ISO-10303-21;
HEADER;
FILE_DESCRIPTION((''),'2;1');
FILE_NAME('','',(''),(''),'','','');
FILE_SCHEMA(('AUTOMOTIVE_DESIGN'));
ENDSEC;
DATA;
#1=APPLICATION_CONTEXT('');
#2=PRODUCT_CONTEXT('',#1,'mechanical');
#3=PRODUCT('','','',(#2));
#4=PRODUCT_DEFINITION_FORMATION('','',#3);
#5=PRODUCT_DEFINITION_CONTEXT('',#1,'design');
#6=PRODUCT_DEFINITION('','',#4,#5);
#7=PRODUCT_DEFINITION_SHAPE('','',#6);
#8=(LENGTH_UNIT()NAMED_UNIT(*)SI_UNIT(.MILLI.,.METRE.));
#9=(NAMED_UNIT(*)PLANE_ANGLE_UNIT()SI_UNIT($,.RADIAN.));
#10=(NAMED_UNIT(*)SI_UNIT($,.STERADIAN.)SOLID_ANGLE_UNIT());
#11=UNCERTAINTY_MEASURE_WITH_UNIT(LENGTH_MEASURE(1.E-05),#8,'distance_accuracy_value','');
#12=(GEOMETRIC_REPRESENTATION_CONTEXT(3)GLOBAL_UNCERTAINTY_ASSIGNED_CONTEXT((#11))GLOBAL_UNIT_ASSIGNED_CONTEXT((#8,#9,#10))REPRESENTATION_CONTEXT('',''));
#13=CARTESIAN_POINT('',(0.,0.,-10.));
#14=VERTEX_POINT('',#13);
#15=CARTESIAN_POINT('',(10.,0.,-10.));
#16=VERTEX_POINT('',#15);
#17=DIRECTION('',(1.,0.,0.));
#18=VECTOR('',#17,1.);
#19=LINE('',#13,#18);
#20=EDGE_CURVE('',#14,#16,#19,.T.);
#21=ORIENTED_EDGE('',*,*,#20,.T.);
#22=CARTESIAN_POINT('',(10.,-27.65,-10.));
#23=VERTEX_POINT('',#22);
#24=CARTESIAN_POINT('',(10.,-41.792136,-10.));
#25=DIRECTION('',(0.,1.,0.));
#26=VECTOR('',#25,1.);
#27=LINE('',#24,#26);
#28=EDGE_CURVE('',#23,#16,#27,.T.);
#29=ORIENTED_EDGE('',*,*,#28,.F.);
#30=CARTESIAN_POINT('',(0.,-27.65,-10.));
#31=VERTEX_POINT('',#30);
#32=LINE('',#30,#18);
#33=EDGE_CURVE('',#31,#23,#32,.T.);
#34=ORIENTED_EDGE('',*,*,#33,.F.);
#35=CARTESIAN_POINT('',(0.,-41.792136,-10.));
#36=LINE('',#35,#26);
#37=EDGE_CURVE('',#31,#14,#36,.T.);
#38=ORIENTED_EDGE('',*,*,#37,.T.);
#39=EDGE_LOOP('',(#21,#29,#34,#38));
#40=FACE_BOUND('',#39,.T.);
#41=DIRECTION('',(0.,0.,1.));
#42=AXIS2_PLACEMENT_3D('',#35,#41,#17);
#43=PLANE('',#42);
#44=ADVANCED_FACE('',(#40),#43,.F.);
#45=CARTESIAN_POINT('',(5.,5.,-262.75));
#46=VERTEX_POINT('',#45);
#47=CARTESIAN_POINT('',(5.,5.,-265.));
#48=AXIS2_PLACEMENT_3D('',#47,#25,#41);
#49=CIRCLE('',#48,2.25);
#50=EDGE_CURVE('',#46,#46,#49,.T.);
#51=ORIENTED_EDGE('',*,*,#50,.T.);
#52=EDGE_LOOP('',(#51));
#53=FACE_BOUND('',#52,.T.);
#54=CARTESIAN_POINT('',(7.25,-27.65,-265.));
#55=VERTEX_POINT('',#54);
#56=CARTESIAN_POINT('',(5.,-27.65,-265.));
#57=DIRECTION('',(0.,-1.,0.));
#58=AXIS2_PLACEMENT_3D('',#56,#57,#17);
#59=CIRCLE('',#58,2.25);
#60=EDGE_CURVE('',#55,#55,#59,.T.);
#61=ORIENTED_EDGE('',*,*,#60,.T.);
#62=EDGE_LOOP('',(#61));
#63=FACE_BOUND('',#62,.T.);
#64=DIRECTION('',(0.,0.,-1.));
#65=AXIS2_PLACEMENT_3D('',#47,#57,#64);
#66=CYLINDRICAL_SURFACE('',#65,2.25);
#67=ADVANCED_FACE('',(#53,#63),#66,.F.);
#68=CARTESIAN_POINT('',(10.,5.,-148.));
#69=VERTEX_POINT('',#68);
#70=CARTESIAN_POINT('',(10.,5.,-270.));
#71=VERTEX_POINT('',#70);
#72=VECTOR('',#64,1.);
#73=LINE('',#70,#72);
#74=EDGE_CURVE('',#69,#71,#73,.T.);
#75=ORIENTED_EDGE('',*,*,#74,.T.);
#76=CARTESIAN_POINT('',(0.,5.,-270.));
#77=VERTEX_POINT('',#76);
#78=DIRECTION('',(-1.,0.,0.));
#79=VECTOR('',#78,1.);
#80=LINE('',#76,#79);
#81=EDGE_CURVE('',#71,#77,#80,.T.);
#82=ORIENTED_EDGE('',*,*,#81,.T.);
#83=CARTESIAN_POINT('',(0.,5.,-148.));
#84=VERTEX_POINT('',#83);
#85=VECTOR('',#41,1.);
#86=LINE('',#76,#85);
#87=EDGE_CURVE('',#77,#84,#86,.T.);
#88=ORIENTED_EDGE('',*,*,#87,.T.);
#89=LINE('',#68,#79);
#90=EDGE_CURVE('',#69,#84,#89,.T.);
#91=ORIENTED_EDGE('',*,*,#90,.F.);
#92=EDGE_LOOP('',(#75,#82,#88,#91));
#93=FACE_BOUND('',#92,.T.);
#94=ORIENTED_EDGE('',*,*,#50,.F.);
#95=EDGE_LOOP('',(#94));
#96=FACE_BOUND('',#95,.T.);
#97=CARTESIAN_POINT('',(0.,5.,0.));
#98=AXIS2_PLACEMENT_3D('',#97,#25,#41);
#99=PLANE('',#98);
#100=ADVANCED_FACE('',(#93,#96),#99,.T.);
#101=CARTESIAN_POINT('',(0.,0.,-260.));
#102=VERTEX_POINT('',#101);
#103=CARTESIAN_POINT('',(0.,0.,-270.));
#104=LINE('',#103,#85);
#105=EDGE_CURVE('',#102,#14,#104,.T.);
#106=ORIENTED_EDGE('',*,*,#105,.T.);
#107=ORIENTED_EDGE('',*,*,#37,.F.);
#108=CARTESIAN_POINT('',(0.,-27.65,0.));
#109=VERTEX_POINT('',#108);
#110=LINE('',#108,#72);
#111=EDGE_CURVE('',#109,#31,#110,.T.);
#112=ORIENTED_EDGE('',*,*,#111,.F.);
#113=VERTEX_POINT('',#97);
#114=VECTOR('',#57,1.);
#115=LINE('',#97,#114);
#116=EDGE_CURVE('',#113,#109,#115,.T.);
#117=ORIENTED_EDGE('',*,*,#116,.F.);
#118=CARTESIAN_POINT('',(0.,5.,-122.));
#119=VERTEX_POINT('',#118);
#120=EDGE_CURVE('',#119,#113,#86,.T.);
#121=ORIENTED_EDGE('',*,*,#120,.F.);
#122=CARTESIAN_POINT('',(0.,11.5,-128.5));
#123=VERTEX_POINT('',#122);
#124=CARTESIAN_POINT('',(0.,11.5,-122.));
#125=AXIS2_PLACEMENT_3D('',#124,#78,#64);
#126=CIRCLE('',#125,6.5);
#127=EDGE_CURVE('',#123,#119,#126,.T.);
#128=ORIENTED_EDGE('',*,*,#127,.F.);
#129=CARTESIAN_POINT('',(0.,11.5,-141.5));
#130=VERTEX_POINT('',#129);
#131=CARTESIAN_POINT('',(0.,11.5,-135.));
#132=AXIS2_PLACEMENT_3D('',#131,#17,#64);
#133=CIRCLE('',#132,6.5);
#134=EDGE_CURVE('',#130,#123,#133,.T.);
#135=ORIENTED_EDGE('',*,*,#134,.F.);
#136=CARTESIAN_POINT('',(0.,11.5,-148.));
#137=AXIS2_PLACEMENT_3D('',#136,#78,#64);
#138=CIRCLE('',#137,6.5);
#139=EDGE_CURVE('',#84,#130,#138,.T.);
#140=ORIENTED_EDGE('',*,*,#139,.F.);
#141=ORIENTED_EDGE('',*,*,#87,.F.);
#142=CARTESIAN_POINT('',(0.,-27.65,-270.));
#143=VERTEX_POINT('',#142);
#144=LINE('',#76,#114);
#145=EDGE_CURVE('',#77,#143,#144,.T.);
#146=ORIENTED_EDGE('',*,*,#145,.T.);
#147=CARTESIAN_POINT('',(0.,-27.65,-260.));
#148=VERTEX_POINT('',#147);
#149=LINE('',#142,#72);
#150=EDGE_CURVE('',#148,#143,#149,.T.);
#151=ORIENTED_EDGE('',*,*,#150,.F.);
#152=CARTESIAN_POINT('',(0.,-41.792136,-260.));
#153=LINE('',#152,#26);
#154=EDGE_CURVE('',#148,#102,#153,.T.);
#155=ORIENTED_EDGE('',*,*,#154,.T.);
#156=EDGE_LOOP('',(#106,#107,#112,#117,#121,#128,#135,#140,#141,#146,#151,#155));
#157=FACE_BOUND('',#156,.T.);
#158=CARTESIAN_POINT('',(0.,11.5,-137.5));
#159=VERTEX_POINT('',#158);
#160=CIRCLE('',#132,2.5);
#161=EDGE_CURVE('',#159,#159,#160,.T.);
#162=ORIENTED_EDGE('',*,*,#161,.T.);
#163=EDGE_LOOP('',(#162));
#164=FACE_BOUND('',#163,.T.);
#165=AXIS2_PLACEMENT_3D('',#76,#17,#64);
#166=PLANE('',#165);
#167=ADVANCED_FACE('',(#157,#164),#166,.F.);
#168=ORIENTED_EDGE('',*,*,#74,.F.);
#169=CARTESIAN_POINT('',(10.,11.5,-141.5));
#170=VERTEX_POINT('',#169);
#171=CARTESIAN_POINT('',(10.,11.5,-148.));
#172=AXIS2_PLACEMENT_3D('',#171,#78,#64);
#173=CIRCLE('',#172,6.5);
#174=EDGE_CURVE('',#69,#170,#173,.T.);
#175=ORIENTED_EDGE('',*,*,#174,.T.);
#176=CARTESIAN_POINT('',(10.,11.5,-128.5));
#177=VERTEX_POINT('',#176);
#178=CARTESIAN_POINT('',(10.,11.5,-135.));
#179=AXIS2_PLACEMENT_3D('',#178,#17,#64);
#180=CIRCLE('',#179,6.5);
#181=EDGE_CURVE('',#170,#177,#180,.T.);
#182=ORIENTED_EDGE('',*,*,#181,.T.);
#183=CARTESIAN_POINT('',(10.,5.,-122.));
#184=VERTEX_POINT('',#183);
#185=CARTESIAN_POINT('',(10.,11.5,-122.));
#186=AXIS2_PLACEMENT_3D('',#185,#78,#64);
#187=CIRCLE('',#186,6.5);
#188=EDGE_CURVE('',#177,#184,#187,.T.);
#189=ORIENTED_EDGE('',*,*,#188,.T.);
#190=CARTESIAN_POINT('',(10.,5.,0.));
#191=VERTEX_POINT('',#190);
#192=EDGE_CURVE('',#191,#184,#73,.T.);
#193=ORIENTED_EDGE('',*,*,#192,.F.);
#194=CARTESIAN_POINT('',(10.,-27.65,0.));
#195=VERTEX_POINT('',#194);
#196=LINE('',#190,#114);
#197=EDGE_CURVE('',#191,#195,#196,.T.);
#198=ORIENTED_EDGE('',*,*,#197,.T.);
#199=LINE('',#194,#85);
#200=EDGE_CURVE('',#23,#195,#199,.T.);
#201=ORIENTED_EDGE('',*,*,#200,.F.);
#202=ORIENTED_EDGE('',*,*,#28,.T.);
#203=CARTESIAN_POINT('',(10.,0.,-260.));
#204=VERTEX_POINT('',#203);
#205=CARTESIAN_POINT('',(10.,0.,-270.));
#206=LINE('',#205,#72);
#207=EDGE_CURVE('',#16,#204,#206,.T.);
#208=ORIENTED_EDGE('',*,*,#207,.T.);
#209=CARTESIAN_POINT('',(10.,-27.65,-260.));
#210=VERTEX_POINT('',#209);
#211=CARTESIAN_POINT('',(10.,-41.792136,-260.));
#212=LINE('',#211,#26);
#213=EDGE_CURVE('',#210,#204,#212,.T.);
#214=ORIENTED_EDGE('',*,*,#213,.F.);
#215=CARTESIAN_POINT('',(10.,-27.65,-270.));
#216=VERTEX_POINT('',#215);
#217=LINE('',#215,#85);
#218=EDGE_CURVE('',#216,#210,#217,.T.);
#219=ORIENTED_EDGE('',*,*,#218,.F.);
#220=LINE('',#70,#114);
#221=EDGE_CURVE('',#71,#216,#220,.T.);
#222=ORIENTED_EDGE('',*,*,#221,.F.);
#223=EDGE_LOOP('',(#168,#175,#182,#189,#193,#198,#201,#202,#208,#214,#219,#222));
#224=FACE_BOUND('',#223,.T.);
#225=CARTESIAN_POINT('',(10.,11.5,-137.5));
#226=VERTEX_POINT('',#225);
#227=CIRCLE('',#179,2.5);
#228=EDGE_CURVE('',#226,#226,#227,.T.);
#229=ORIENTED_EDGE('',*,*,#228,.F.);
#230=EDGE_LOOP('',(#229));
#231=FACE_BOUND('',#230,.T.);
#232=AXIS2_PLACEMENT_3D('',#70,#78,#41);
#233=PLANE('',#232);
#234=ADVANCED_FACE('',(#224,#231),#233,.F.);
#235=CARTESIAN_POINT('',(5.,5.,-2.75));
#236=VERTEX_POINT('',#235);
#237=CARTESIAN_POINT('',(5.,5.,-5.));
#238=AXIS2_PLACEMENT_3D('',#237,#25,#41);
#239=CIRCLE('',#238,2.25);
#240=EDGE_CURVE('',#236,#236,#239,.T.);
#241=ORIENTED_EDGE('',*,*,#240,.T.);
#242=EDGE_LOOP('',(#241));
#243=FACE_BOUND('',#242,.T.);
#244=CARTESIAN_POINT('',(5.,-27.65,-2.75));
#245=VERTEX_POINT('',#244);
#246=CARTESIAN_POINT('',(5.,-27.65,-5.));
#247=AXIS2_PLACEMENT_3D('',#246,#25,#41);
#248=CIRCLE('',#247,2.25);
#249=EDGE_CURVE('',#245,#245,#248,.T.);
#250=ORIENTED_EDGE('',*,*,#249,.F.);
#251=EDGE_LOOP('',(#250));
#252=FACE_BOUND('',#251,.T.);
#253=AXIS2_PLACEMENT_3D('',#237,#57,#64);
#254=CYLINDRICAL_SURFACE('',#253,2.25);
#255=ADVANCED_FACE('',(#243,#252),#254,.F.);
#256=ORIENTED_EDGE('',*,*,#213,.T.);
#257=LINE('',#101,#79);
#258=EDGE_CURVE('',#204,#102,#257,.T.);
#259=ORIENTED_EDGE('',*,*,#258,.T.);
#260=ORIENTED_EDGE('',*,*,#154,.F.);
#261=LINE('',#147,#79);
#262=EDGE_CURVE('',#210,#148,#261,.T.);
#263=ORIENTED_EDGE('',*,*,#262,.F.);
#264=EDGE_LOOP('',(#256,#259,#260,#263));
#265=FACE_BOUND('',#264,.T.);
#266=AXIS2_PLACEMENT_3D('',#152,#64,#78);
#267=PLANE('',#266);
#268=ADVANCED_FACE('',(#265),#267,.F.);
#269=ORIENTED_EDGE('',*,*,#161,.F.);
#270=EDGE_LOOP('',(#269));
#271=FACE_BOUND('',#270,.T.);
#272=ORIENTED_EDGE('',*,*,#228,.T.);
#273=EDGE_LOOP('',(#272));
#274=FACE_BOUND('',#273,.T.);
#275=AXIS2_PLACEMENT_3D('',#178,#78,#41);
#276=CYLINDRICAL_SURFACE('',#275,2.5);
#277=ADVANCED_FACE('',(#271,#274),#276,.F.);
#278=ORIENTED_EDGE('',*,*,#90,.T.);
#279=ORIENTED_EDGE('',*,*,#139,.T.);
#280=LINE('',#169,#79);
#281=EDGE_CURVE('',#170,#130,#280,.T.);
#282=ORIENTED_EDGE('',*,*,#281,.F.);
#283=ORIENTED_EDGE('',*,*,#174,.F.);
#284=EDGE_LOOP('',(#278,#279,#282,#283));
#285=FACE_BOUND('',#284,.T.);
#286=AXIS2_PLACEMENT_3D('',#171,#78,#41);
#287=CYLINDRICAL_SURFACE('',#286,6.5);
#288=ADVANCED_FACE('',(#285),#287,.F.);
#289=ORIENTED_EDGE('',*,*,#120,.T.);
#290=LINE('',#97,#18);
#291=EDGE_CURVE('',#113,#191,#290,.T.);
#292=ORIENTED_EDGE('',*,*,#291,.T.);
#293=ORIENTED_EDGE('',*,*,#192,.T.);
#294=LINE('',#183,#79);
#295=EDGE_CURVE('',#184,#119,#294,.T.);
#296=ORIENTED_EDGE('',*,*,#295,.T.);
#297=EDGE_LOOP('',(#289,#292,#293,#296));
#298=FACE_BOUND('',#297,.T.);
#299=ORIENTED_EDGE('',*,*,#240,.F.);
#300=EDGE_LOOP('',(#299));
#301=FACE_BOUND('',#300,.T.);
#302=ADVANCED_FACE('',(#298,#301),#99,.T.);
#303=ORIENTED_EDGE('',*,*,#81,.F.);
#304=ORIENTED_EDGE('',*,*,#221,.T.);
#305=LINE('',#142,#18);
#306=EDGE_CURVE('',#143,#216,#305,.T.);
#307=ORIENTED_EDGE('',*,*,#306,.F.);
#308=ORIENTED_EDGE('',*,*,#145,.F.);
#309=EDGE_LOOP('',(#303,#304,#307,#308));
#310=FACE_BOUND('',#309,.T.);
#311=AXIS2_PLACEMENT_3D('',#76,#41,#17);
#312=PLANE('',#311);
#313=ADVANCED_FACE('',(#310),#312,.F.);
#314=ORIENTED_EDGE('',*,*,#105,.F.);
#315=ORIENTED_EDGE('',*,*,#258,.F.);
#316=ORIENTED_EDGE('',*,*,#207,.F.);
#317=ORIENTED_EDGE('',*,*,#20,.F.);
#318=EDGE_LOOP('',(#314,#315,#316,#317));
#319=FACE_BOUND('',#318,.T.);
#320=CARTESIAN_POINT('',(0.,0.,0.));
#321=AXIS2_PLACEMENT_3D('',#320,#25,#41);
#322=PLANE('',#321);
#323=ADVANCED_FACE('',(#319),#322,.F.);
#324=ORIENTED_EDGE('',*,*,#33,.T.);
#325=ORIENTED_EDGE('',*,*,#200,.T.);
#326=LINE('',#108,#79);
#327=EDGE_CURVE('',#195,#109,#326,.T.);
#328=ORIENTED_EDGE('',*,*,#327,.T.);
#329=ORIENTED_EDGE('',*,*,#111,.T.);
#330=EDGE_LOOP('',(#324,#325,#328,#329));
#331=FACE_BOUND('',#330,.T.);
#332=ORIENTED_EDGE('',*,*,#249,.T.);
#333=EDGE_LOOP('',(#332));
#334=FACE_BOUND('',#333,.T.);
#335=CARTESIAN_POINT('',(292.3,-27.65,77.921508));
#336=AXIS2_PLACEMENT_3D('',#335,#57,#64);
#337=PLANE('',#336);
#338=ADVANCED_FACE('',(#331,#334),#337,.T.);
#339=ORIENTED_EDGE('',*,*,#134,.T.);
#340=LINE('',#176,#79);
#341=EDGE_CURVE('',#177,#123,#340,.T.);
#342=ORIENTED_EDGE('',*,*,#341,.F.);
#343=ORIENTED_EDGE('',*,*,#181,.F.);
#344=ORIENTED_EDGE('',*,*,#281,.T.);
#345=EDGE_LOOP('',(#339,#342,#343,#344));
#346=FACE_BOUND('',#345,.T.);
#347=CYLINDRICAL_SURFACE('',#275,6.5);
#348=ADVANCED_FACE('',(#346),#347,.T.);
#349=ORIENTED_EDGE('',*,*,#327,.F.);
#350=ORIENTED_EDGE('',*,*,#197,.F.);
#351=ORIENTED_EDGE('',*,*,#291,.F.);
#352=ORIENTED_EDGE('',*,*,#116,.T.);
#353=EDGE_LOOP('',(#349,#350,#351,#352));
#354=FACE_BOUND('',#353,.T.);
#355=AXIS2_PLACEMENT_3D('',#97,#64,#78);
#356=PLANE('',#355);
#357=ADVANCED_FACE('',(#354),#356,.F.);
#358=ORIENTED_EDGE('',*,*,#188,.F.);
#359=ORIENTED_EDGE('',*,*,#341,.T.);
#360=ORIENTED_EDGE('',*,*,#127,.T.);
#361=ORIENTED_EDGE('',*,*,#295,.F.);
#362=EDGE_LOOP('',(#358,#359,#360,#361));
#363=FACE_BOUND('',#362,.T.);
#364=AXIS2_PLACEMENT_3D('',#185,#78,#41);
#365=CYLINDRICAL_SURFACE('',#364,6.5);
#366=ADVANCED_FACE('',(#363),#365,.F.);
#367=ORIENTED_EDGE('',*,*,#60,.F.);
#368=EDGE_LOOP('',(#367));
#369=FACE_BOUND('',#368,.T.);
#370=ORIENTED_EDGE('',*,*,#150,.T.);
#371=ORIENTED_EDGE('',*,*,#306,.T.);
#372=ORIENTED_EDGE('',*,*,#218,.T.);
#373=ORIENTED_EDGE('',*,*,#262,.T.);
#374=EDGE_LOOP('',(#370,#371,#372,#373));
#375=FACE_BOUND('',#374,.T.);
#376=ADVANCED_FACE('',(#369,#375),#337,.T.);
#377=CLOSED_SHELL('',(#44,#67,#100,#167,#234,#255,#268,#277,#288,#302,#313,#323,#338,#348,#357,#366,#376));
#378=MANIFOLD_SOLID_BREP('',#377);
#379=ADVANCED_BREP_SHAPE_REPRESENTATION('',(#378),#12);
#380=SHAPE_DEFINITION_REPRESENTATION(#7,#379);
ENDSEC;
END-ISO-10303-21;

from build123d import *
from build123d.topology import SkipClean

# Parameters (mm, degrees)
SKETCH_1_W      = 10
SKETCH_1_H      = 270
SKETCH_1_R      = 2.25
EXTRUDE_1_DEPTH = 5
SKETCH_2_R      = 2.5
EXTRUDE_2_DEPTH = 10
EXTRUDE_START   = 27.65
SKETCH_3_W      = 10
SKETCH_3_H      = 10
SKETCH_3_R      = 2.25
EXTRUDE_3_DEPTH = 27.65


with BuildPart() as part:
    # Эскиз1 → Бобышка-Вытянуть1 (new body)
    with BuildSketch(Plane(origin=(0, 0, 0), x_dir=(1, 0, 0), z_dir=(0, 1, 0))):
        with Locations((5, 135)):
            Rectangle(SKETCH_1_W, SKETCH_1_H)
        with Locations(Location((5, 265, 0), (0, 0, 270))):
            Circle(SKETCH_1_R, mode=Mode.SUBTRACT)
        with Locations(Location((5, 5, 0), (0, 0, 270))):
            Circle(SKETCH_1_R, mode=Mode.SUBTRACT)
    extrude(amount=EXTRUDE_1_DEPTH)

    # Эскиз2 → Бобышка-Вытянуть2 (add)
    with BuildSketch(Plane(origin=(0, 0, 0), x_dir=(0, 0, -1), z_dir=(1, 0, 0))):
        with BuildLine():
            Line((122, 5), (148, 5))
            ThreePointArc((148, 5), (143.403805922, 6.903805922), (141.5, 11.5))
            ThreePointArc((141.5, 11.5), (135, 18), (128.5, 11.5))
            ThreePointArc((128.5, 11.5), (126.596194078, 6.903805922), (122, 5))
        make_face()
        with Locations((135, 11.5)):
            Circle(SKETCH_2_R, mode=Mode.SUBTRACT)
    extrude(amount=EXTRUDE_2_DEPTH)

    # Эскиз3 → Бобышка-Вытянуть3 (add)
    # profile 1 of 2: a face of its own
    with SkipClean():  # the faces are left unmerged after this step: merging them gives an invalid solid
        with BuildSketch(Plane.XZ.offset(EXTRUDE_START)):
            with Locations((5, -5)):
                Rectangle(SKETCH_3_W, SKETCH_3_H)
            with Locations(Location((5, -5, 0), (0, 0, 90))):
                Circle(SKETCH_3_R, mode=Mode.SUBTRACT)
        # profile 2 of 2: a face of its own
        with BuildSketch(Plane.XZ.offset(EXTRUDE_START)):
            with Locations((5, -265)):
                Rectangle(SKETCH_3_W, SKETCH_3_H)
            with Locations((5, -265)):
                Circle(SKETCH_3_R, mode=Mode.SUBTRACT)
        extrude(amount=-EXTRUDE_3_DEPTH)


solid = part.part
